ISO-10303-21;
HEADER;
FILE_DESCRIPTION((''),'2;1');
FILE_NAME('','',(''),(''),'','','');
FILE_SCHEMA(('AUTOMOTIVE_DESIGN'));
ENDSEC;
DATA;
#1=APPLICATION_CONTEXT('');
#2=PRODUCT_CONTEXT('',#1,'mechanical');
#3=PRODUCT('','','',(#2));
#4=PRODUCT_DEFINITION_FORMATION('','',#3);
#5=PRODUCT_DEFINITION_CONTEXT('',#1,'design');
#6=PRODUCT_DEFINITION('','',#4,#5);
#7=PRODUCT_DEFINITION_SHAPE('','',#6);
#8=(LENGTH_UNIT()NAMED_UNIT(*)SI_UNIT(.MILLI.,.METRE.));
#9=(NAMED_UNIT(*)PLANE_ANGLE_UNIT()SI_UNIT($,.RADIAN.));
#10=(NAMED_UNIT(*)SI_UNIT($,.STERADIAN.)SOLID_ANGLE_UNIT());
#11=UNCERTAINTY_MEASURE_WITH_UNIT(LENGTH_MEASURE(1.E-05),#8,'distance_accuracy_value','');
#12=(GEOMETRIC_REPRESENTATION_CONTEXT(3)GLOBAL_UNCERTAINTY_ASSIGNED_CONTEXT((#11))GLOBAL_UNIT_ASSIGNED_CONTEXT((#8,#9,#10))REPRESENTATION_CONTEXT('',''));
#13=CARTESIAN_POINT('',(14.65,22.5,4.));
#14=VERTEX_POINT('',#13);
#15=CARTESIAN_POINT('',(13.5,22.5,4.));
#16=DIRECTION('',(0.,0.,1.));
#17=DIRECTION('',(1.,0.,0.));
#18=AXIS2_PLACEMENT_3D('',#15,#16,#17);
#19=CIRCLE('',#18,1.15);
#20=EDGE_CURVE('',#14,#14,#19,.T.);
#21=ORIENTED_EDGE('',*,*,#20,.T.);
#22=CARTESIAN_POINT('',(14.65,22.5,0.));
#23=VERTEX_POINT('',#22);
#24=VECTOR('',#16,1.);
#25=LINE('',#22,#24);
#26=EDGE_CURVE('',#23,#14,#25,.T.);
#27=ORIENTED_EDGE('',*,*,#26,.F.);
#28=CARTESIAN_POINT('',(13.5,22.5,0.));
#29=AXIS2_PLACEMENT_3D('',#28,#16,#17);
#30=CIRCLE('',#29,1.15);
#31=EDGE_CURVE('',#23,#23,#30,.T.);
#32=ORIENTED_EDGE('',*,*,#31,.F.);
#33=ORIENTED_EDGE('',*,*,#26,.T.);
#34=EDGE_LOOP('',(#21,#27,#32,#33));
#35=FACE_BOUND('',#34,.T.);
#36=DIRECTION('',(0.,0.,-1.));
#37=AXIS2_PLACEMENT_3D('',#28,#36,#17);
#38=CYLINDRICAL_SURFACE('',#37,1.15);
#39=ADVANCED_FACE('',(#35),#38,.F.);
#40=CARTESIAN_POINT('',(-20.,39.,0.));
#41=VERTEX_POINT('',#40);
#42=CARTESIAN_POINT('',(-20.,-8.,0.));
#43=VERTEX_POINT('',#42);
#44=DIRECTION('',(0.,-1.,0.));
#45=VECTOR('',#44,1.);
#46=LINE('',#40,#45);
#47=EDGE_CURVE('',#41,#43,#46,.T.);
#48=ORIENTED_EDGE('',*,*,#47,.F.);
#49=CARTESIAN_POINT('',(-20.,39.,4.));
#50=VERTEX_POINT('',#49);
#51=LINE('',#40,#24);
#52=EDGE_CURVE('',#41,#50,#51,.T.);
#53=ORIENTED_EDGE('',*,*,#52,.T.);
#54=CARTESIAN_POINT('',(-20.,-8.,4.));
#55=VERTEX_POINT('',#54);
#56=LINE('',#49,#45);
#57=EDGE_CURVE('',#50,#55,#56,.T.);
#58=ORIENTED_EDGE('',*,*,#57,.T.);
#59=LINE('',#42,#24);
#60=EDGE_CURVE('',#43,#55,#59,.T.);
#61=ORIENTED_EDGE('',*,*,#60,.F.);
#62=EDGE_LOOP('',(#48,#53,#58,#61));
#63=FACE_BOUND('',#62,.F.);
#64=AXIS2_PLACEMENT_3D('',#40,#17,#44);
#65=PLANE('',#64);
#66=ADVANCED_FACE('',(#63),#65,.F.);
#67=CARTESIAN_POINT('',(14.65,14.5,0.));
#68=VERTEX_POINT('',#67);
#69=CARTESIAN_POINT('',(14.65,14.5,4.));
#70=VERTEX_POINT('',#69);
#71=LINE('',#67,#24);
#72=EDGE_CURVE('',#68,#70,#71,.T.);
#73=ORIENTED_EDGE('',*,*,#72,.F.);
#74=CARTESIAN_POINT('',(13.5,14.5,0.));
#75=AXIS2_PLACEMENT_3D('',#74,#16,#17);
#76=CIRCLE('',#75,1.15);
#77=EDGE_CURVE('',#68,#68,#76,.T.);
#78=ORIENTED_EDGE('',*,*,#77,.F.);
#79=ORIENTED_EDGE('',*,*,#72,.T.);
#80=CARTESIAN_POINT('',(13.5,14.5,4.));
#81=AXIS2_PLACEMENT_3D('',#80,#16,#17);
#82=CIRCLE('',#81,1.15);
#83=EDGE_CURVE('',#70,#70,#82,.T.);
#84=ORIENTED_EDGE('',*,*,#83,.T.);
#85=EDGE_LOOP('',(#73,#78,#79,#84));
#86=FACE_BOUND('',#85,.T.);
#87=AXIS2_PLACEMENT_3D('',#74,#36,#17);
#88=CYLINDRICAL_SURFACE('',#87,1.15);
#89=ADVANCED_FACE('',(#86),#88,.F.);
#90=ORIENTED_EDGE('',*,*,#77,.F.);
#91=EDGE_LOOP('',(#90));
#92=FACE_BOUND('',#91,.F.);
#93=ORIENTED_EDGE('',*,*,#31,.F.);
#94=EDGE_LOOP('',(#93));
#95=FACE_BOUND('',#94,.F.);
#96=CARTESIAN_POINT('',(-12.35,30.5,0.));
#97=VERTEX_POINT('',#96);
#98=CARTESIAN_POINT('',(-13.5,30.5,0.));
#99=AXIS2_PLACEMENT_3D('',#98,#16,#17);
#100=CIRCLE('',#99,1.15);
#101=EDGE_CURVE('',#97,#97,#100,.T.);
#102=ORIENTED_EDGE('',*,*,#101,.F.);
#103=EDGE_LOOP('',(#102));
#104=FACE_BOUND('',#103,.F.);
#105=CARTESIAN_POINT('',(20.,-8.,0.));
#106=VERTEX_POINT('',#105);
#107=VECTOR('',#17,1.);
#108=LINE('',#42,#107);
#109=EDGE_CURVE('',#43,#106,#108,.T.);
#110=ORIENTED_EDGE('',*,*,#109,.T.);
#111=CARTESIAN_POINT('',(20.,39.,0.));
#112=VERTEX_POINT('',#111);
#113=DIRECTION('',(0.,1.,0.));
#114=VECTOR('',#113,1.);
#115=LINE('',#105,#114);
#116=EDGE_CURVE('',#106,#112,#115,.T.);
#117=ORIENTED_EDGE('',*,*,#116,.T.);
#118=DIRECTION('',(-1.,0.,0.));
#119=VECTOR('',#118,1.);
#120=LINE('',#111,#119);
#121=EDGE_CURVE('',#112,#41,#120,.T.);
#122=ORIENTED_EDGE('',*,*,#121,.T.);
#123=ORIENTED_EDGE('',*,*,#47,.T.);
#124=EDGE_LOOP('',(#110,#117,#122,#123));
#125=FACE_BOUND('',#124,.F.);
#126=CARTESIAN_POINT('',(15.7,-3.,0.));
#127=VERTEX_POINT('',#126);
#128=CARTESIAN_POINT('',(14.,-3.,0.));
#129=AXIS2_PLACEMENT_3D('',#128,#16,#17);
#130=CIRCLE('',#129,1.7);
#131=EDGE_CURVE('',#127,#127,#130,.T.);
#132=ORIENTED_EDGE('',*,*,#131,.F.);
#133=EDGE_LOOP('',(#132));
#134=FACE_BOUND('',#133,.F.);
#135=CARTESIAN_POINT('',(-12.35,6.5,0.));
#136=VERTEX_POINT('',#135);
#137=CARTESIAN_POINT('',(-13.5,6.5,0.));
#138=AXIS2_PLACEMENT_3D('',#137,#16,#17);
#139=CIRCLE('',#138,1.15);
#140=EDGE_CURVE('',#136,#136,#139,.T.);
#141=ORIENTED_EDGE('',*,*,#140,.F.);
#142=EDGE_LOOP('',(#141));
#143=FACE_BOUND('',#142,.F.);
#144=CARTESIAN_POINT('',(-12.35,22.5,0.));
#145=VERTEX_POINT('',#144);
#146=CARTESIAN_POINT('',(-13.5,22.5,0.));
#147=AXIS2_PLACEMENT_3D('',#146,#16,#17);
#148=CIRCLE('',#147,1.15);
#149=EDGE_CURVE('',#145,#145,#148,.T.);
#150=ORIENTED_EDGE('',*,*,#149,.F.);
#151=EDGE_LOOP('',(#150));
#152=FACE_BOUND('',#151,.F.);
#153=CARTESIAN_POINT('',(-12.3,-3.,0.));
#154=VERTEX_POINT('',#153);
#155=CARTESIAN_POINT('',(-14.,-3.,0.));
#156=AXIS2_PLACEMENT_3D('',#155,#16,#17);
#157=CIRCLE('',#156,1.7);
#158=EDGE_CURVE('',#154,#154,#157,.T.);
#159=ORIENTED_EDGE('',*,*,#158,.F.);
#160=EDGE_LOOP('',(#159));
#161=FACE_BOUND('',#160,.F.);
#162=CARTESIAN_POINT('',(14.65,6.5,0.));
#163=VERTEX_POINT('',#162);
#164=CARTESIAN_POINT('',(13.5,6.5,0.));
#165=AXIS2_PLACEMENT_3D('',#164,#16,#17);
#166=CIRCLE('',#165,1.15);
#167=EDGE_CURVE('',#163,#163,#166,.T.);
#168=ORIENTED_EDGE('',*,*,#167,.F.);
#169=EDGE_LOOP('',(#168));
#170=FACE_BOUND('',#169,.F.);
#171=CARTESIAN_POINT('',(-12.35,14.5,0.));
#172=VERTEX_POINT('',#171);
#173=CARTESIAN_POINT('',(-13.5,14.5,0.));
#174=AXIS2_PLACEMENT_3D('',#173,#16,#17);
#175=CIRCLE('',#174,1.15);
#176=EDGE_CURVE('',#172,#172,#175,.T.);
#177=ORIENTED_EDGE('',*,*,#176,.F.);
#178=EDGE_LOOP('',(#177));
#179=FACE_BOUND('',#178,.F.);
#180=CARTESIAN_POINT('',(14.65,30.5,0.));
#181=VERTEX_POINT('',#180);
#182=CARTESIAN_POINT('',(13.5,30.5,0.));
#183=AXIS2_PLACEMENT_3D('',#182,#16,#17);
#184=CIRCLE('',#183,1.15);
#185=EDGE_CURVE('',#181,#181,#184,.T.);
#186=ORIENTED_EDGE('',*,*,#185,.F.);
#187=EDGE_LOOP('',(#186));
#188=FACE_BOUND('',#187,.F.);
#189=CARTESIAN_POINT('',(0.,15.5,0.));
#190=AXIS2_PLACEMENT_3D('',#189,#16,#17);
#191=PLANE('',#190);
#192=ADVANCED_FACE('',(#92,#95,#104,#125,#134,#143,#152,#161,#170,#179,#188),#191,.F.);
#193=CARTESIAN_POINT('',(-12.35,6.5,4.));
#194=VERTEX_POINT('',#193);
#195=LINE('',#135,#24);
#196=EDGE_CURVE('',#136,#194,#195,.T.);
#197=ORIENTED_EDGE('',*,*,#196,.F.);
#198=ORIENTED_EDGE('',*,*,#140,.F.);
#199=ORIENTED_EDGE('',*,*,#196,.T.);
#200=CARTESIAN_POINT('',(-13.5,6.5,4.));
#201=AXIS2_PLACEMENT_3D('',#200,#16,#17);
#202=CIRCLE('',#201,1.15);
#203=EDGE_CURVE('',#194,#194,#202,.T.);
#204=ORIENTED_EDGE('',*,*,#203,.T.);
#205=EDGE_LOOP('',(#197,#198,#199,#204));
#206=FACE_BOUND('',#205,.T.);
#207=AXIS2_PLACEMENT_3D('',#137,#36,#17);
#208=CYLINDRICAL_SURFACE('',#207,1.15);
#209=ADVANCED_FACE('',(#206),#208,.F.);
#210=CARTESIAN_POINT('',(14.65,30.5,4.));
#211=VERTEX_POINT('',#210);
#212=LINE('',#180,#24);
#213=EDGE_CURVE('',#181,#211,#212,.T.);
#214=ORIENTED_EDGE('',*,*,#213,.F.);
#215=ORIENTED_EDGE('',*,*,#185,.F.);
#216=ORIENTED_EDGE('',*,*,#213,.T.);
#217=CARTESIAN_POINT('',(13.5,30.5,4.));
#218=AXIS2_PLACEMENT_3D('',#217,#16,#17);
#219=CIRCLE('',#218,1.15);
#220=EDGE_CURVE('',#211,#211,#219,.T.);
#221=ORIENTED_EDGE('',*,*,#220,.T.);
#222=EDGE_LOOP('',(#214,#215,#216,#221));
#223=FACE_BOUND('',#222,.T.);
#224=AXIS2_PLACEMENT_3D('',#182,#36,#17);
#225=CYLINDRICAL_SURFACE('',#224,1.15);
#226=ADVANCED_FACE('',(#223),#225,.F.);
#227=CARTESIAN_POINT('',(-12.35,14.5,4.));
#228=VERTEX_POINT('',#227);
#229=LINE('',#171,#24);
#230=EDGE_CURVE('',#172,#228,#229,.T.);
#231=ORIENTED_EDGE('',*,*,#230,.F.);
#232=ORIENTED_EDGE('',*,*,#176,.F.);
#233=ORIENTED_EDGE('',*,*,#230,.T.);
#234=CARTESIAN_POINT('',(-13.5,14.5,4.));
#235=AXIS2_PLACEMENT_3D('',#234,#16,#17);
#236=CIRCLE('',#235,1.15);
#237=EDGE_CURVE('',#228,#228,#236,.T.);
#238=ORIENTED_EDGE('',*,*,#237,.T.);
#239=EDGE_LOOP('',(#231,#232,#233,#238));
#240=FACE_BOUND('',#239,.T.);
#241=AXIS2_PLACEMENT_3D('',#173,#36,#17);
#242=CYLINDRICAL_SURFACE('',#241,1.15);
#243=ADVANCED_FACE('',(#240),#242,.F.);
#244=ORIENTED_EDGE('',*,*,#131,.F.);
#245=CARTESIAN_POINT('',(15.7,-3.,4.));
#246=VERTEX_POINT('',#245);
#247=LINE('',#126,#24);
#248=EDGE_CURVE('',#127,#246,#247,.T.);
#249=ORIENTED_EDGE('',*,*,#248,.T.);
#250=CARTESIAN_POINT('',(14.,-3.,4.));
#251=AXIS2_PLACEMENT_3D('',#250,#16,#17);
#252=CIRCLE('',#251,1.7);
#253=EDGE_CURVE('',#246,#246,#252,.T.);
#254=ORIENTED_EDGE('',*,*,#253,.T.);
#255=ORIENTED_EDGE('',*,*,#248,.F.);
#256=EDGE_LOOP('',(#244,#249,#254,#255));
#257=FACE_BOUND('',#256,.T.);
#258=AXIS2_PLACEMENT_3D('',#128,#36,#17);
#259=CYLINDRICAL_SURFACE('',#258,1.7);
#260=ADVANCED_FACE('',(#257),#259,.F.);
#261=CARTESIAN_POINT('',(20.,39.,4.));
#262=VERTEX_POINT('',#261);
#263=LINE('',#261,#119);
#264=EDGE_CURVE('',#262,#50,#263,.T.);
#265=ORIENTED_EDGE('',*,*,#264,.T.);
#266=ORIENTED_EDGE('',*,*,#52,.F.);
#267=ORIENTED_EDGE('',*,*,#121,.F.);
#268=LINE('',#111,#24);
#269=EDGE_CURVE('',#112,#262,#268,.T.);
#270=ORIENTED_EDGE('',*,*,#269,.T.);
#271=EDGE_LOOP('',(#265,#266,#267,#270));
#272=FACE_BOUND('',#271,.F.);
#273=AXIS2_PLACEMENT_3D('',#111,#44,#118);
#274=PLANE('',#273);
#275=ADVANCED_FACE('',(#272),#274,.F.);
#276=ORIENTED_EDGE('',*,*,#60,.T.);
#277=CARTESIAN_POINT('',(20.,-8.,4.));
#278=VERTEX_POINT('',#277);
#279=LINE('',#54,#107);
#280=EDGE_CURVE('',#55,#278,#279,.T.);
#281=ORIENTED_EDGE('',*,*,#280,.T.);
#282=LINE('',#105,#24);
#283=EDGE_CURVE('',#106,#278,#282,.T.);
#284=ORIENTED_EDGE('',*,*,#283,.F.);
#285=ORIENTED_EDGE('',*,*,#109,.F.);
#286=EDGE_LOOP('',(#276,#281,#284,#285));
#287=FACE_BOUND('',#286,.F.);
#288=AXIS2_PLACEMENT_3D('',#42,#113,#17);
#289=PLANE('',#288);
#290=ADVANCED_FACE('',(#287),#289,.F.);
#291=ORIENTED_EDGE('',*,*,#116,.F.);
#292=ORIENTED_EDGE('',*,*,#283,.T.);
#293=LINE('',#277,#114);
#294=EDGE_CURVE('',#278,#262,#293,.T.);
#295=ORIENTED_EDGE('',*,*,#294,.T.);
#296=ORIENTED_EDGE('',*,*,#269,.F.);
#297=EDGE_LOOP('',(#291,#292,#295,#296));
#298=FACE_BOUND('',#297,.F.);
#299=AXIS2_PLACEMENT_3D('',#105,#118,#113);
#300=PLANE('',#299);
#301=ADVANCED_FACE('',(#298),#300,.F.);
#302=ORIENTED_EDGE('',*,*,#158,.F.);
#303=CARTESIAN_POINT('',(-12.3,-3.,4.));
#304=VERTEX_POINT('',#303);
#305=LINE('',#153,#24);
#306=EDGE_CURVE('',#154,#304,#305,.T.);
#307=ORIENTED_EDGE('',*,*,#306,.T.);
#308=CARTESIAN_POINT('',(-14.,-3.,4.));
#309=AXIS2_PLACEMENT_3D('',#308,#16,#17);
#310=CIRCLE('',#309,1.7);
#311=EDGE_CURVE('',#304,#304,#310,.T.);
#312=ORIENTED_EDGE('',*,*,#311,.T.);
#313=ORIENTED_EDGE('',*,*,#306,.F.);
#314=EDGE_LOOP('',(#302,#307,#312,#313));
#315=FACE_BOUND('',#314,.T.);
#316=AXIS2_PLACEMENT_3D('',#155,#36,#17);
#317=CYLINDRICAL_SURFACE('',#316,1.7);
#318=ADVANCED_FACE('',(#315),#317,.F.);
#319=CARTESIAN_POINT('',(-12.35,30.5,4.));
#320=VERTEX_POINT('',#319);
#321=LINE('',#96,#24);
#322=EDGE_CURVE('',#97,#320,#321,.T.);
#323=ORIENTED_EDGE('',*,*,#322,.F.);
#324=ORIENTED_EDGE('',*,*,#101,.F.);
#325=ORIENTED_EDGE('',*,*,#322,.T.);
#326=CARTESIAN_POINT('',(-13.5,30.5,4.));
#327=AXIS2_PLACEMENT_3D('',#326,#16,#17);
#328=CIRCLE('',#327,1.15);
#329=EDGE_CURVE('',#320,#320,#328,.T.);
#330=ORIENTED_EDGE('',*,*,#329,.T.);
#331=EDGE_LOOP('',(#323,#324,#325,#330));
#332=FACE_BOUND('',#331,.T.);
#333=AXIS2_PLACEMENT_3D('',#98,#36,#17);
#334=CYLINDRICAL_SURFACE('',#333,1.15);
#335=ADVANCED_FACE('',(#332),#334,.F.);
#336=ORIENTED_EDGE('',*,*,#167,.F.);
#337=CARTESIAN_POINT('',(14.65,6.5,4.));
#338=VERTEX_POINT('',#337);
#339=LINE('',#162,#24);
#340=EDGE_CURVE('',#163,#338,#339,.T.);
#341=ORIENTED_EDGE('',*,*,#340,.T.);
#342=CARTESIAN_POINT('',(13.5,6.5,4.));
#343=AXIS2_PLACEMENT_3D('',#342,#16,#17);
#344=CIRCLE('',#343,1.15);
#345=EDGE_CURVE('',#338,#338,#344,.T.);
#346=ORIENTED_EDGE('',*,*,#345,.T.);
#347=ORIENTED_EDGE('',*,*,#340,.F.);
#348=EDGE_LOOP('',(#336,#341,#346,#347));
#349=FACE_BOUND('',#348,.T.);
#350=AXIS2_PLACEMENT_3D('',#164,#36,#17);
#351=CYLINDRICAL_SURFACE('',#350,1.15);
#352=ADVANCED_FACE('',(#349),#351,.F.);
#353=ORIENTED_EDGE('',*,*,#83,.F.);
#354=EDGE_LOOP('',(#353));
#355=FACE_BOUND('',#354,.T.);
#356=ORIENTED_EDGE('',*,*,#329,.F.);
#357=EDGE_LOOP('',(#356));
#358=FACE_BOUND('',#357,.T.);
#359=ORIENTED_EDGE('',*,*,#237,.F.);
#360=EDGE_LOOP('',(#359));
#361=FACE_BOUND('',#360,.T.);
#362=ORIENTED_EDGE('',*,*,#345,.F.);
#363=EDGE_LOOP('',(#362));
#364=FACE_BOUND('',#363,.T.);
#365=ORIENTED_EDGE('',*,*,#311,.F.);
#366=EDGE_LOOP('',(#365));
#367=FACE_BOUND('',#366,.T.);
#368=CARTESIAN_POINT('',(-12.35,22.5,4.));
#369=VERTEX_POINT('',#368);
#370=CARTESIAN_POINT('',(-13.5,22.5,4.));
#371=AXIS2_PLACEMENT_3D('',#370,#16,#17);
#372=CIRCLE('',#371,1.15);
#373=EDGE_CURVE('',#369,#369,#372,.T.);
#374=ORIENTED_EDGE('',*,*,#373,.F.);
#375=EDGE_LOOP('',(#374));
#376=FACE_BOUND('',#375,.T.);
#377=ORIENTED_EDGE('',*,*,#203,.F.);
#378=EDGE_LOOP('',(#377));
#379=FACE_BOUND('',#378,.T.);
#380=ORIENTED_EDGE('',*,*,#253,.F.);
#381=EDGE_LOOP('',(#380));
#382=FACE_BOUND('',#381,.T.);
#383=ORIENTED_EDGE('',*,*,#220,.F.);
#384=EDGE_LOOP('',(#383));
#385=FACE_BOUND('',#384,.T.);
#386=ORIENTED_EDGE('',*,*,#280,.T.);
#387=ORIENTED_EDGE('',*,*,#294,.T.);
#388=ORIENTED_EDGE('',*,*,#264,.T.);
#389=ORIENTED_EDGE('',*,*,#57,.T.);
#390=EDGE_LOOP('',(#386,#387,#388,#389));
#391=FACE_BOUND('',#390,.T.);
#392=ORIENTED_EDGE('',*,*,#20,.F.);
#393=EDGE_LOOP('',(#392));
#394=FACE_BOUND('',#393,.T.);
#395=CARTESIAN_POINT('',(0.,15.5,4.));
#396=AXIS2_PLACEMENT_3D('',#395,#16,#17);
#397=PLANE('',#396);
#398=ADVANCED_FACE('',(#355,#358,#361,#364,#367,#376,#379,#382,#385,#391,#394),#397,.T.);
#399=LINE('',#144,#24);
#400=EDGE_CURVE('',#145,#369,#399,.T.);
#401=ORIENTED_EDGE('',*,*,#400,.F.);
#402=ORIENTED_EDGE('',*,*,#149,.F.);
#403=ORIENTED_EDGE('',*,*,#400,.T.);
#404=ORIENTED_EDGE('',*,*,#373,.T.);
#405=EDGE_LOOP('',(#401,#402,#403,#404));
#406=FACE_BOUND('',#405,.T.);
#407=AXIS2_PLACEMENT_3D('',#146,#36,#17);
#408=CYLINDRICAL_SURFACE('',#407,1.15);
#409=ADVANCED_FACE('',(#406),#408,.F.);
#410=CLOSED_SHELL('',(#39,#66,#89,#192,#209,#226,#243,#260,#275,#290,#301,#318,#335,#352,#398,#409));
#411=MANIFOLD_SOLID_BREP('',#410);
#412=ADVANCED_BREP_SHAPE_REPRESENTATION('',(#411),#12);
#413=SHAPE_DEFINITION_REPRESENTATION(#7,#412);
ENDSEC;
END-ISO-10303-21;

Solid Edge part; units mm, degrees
sketch "Sketch1" plane through (0, 0, 0) normal (0, 0, 1) x (1, 0, 0)
  line L0 (-20, -8) -> (20, -8)
  line L1 (20, -8) -> (20, 39)
  line L2 (20, 39) -> (-20, 39)
  line L3 (-20, 39) -> (-20, -8)
  circle A0 centre (-13.5, 6.5) radius 1.15
  circle A1 centre (-13.5, 14.5) radius 1.15
  circle A2 centre (-13.5, 22.5) radius 1.15
  circle A3 centre (-13.5, 30.5) radius 1.15
  circle A4 centre (13.5, 6.5) radius 1.15
  circle A5 centre (13.5, 14.5) radius 1.15
  circle A6 centre (13.5, 22.5) radius 1.15
  circle A7 centre (13.5, 30.5) radius 1.15
  circle A8 centre (-14, -3) radius 1.7
  circle A9 centre (14, -3) radius 1.7
extrude "Protrusion1" add sketch "Sketch1" along normal blind 4
